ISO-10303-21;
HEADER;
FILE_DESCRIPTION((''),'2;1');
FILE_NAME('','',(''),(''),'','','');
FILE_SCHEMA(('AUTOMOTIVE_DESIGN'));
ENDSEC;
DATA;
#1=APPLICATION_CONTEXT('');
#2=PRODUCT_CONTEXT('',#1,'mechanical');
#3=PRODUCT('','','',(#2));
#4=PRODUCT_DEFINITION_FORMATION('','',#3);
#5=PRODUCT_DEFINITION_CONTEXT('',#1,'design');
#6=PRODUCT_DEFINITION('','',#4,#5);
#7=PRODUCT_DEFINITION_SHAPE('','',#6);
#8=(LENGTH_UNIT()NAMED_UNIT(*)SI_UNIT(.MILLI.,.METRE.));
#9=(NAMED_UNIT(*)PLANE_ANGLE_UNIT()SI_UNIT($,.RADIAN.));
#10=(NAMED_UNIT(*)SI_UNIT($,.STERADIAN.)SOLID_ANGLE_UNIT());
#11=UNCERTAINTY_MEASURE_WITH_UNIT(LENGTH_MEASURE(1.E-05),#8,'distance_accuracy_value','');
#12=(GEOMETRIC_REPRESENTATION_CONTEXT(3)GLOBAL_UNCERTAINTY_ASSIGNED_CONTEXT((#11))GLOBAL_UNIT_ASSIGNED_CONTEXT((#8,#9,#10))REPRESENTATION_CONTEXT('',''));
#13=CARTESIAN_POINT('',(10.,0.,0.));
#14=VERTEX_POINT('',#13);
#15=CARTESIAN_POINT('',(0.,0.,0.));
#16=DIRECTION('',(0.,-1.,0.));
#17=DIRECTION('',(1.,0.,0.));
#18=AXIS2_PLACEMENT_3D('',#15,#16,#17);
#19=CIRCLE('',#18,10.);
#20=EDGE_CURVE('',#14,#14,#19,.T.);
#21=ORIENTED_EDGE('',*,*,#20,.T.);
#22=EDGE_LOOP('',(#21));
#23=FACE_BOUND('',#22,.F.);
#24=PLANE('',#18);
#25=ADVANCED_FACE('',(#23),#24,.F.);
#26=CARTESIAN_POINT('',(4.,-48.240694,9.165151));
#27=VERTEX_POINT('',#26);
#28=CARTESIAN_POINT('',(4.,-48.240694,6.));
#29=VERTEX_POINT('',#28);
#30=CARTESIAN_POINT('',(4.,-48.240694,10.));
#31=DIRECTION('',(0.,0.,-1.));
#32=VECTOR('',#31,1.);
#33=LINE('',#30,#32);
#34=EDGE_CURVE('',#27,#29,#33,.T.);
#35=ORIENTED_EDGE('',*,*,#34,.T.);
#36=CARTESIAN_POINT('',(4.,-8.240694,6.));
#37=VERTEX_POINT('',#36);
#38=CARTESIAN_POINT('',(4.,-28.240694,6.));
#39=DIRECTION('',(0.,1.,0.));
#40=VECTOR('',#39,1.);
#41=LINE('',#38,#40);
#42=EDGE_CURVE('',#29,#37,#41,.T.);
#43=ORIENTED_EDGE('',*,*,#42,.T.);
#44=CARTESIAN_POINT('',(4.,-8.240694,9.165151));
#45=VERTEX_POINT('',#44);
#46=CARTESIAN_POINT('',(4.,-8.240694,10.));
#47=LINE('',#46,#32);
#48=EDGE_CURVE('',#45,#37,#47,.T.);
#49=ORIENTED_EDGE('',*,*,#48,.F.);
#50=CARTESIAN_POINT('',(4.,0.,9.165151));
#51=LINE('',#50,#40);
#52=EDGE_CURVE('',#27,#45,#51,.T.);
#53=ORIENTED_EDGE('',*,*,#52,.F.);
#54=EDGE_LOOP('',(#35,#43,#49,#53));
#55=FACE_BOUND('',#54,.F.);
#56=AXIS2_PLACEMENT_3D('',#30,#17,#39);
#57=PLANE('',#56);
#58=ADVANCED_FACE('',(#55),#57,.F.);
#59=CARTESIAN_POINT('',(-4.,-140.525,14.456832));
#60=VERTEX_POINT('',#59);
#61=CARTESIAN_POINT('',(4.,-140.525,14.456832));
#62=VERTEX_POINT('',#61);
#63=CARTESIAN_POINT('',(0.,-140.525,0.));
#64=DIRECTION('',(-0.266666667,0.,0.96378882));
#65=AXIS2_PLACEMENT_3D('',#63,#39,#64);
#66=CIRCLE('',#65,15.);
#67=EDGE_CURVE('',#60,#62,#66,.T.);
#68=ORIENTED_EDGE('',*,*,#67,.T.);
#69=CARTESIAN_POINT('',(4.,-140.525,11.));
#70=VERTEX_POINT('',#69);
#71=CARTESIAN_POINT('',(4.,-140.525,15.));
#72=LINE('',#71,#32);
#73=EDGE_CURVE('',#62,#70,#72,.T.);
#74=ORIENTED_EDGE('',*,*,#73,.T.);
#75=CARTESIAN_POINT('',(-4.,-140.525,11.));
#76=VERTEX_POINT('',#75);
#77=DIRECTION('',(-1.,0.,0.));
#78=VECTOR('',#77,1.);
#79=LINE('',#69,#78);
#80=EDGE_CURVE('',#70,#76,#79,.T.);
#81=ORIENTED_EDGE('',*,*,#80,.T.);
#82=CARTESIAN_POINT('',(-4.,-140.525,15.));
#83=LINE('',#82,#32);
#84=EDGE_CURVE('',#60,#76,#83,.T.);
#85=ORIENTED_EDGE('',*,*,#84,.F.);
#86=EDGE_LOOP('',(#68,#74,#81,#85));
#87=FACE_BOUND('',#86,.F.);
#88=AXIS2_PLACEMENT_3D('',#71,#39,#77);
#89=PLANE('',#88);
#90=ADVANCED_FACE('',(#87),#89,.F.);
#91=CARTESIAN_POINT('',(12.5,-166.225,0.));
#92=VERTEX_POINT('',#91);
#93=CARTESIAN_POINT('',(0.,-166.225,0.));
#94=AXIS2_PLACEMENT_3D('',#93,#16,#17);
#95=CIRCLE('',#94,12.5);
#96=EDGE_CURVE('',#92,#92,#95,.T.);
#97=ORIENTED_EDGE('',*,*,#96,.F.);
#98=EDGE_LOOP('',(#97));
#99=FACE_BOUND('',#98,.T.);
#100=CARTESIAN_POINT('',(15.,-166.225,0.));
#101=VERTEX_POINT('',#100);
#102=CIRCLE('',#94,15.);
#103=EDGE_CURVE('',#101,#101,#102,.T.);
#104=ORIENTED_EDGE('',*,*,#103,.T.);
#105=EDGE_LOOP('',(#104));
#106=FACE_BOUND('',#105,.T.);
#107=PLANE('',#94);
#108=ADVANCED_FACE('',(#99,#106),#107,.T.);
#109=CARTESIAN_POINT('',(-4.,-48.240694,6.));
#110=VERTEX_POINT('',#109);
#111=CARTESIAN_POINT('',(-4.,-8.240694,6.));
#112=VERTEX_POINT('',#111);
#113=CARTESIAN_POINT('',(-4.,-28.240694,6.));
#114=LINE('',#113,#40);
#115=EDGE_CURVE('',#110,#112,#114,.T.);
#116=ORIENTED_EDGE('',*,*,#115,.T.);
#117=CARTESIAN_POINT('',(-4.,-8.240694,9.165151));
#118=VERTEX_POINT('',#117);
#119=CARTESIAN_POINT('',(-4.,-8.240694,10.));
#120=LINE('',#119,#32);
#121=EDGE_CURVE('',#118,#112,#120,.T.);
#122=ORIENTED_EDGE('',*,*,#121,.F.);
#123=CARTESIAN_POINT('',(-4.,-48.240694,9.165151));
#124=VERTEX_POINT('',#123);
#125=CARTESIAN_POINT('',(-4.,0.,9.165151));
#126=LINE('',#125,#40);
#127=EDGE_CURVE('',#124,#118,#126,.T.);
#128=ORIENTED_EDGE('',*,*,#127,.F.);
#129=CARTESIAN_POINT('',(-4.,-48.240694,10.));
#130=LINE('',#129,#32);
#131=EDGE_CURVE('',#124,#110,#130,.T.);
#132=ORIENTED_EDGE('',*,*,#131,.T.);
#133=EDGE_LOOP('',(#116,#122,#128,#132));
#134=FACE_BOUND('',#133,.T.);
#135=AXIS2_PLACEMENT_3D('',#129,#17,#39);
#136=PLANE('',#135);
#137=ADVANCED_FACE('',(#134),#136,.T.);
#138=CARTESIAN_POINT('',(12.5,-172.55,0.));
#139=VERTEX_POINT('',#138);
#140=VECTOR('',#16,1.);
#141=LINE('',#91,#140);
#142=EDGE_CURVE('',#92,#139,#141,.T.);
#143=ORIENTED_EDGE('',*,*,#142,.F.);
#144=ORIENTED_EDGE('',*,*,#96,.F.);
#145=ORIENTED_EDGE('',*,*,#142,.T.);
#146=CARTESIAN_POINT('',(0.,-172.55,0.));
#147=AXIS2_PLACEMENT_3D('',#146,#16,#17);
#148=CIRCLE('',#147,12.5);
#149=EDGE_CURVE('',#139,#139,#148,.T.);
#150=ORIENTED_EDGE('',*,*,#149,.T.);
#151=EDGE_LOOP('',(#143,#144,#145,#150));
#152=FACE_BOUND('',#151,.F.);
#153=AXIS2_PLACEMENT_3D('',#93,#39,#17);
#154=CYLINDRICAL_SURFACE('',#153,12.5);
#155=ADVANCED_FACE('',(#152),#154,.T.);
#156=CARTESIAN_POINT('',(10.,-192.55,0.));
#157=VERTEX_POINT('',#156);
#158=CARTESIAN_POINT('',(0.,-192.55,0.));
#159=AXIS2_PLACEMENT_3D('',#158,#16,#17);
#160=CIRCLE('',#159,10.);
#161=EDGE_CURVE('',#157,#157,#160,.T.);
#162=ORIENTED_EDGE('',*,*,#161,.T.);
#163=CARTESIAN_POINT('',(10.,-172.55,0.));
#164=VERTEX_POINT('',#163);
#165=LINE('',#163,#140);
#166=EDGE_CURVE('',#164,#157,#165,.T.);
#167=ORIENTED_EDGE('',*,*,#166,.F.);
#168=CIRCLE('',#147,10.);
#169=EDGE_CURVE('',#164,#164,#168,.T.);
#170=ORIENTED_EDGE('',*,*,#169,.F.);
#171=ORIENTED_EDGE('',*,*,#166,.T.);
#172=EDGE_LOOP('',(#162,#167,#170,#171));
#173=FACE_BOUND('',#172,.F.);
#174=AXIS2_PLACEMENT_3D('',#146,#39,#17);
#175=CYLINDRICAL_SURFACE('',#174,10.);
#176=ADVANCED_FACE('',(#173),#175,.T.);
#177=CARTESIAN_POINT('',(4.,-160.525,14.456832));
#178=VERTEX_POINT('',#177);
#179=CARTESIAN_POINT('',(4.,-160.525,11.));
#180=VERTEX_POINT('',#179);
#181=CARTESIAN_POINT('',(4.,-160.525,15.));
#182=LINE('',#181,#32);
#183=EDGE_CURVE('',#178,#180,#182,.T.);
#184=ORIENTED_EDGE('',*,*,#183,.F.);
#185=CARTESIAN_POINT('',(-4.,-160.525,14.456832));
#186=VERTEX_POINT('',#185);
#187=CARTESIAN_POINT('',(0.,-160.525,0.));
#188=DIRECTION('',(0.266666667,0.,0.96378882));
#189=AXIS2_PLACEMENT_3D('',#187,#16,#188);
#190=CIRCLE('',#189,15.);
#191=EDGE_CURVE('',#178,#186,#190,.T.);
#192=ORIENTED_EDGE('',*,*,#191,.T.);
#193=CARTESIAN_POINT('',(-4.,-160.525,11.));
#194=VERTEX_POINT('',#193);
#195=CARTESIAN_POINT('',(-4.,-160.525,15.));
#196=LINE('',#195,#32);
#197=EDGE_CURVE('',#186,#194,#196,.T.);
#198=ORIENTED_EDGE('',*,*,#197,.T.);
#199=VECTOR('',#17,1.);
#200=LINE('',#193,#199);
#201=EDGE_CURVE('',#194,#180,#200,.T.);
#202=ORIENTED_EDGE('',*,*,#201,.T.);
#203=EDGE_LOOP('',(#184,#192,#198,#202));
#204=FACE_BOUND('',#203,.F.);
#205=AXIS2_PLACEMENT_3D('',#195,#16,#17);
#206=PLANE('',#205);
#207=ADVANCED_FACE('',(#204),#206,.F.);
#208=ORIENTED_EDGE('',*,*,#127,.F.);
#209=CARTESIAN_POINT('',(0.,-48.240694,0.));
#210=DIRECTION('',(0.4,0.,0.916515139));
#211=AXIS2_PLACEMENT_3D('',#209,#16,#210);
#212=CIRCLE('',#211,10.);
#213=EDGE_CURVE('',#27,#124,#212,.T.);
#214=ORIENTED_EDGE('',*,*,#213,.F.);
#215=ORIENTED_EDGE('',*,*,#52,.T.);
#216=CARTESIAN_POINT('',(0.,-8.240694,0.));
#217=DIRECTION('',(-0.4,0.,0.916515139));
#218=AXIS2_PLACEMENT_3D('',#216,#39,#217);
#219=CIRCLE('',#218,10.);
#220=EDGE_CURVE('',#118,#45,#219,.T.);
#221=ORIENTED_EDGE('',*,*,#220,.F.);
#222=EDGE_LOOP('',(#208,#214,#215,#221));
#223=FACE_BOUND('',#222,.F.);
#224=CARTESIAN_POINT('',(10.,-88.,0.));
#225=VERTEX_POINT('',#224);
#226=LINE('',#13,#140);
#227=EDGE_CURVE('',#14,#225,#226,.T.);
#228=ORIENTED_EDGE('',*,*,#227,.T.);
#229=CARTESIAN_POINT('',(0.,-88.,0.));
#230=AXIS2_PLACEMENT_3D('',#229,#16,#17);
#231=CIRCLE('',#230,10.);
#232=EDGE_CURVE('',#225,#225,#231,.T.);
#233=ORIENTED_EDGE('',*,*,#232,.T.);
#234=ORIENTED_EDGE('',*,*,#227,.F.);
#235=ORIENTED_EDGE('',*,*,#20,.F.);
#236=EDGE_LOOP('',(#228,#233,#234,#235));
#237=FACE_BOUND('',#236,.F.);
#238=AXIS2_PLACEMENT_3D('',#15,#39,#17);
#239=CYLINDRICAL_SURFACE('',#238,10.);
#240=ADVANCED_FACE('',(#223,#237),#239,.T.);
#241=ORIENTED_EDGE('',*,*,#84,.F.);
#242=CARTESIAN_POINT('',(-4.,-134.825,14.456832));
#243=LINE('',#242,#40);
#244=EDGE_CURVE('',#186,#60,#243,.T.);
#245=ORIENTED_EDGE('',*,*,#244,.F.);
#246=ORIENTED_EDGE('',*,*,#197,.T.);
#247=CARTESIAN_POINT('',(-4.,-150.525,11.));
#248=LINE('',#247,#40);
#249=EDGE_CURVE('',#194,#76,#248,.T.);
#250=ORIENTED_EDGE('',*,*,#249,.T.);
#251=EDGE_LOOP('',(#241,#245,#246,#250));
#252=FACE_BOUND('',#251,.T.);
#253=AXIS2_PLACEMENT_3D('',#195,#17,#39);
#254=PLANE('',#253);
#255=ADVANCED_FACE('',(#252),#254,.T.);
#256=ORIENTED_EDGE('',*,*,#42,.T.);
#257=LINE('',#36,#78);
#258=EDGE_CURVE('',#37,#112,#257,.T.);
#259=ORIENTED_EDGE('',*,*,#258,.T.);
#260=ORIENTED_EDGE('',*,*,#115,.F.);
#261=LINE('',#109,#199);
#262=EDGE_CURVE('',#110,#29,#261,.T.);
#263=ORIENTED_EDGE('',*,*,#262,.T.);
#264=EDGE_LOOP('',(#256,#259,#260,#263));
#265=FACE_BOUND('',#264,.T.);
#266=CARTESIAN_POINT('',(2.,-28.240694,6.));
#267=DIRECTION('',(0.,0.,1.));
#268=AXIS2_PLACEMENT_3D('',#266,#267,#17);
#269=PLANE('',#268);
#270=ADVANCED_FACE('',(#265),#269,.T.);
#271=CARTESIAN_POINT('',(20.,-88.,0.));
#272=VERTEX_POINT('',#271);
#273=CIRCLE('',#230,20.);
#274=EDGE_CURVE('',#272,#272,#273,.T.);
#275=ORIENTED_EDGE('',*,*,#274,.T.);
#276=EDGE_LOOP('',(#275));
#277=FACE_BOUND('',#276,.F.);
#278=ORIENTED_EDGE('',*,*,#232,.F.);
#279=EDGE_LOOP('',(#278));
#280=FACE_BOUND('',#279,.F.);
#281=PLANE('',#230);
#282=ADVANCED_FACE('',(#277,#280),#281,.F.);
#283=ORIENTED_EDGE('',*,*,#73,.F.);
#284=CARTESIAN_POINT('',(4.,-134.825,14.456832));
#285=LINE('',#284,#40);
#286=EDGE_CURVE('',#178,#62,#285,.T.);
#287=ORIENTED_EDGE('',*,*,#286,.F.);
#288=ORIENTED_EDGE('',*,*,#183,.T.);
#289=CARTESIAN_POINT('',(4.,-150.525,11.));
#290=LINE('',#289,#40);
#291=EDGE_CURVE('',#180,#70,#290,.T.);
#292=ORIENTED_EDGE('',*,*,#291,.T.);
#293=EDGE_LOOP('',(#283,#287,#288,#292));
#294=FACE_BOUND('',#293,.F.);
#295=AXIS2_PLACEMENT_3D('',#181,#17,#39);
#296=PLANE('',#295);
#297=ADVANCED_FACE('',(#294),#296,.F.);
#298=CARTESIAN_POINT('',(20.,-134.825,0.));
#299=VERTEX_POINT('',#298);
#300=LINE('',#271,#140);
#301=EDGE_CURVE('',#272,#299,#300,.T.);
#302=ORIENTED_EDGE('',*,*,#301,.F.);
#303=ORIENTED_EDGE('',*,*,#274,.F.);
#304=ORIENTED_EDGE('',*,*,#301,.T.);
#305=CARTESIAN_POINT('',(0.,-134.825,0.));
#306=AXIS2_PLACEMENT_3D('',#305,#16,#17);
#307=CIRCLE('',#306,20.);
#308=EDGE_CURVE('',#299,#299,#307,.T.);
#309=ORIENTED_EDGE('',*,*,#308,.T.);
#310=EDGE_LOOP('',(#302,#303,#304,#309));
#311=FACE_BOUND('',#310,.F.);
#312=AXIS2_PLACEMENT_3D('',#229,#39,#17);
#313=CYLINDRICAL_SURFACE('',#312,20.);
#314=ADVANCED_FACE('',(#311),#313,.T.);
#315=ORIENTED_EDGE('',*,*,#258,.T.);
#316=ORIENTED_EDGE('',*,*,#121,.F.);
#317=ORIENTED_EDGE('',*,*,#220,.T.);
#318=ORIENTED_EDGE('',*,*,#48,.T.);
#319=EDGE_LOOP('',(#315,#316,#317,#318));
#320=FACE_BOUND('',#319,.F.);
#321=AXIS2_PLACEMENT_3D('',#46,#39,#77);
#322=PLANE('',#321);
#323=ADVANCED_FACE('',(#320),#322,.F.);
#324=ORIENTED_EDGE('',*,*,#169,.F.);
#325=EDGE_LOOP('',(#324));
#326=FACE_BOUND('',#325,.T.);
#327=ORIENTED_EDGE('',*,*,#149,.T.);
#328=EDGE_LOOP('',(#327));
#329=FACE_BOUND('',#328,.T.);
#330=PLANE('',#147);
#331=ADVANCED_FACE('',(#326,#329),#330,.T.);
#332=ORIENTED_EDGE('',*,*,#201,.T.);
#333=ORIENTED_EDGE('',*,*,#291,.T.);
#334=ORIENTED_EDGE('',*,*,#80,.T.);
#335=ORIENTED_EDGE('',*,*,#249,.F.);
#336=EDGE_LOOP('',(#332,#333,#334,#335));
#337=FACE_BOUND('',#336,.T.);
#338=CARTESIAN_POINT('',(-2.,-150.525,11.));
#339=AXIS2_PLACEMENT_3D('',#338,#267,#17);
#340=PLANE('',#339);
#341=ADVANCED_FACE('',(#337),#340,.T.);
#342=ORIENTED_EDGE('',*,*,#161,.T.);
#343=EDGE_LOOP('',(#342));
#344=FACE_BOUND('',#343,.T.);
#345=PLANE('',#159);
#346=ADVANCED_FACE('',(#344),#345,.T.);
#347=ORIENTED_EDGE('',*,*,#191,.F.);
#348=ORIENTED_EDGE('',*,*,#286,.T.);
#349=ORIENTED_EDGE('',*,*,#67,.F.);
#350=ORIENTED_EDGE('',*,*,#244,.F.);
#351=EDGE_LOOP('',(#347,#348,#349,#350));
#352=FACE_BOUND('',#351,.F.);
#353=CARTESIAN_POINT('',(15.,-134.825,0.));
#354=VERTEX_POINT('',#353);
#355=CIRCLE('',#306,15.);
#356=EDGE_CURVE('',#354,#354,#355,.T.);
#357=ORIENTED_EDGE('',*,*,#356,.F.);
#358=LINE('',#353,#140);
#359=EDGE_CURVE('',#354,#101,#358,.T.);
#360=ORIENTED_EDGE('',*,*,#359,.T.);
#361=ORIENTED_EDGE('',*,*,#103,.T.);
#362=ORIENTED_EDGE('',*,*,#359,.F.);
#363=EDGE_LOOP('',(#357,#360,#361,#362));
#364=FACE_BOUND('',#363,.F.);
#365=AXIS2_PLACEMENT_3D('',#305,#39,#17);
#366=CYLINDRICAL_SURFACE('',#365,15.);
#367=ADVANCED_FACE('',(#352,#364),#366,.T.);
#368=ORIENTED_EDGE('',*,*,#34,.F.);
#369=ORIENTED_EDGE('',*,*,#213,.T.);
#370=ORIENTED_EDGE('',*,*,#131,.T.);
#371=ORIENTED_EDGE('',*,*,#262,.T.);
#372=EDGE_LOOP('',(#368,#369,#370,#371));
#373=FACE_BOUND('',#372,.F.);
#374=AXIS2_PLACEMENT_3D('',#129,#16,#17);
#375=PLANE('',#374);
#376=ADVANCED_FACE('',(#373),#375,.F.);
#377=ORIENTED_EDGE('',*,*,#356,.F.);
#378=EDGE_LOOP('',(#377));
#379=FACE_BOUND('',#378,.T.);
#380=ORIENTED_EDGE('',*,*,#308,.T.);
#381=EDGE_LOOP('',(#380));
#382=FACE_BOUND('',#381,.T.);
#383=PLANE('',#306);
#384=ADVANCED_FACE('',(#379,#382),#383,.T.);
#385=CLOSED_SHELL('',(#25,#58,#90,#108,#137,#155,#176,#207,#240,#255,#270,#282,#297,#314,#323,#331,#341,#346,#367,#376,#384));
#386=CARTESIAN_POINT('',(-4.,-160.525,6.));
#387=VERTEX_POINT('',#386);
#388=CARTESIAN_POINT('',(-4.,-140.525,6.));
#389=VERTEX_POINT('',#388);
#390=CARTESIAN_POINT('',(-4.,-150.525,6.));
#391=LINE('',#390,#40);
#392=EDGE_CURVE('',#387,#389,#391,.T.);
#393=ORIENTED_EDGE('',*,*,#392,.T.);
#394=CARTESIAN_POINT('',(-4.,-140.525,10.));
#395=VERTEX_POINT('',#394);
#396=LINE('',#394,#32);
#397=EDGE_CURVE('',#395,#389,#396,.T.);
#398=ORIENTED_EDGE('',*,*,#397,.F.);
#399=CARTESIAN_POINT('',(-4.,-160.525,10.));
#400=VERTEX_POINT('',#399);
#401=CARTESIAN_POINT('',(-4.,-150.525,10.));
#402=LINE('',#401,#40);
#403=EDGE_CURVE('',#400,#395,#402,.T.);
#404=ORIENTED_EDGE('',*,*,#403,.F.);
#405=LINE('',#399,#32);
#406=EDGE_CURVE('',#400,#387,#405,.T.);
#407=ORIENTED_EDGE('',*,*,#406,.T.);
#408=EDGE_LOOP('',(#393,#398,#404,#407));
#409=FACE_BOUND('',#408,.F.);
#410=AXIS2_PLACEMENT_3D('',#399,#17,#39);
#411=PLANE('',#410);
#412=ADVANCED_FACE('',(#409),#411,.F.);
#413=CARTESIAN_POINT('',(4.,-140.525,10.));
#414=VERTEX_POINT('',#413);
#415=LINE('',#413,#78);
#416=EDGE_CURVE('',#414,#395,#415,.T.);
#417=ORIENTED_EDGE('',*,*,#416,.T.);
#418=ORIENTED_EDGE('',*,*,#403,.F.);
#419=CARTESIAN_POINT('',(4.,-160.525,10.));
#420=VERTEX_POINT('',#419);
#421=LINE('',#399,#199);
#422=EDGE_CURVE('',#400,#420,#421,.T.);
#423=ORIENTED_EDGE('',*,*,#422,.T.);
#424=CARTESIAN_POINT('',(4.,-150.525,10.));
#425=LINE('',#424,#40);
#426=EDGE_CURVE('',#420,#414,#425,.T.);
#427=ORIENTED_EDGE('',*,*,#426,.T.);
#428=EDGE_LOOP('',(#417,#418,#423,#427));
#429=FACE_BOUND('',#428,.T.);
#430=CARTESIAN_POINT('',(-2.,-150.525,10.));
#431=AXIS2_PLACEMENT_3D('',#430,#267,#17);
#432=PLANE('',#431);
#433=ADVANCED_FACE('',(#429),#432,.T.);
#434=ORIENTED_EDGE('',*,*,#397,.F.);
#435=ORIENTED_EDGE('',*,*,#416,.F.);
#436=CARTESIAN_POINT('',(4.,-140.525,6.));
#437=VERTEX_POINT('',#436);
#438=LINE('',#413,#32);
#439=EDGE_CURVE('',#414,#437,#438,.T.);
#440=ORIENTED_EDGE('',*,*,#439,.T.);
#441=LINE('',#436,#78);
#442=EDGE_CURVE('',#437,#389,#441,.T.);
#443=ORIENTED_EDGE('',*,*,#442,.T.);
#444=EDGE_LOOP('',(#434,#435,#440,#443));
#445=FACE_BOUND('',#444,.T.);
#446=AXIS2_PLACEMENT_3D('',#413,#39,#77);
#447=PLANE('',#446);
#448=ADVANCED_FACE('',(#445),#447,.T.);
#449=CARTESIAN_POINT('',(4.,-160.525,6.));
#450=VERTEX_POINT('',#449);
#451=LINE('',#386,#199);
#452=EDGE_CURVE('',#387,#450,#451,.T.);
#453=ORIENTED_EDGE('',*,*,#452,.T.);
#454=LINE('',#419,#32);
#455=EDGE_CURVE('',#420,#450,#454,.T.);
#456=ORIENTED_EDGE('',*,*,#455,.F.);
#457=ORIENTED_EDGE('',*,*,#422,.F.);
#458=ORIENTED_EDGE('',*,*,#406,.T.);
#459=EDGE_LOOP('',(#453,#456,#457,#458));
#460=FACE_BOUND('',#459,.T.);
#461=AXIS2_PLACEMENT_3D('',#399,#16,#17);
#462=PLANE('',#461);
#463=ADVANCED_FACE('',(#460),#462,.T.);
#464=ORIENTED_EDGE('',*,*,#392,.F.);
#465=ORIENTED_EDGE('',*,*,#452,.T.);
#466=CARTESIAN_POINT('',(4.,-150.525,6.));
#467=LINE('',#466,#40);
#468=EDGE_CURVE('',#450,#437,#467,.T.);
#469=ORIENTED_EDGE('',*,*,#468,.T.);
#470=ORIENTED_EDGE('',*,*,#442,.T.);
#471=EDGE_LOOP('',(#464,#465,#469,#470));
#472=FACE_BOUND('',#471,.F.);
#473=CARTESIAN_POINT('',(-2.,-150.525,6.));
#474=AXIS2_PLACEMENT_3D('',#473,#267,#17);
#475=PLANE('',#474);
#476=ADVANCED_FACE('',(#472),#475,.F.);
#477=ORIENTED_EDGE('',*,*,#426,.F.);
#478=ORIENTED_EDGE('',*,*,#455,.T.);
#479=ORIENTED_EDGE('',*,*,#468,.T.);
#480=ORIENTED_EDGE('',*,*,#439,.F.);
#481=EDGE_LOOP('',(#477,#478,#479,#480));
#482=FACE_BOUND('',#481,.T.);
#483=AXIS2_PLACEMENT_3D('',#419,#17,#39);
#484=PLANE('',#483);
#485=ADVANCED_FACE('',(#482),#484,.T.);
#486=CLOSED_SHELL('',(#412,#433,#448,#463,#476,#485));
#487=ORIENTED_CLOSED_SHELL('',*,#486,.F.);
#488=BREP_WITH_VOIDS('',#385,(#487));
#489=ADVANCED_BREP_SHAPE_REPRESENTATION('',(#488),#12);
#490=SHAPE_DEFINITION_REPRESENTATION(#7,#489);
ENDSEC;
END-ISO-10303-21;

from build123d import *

# Parameters (mm, degrees)
F0_R      = 10
F1_DEPTH  = 88
F2_R      = 20
F3_DEPTH  = 46.825
F4_R      = 15
F5_DEPTH  = 31.4
F6_R      = 12.5
F7_DEPTH  = 6.325
F8_R      = 10
F9_DEPTH  = 20
F11_W     = 4
F11_H     = 40
F11_H_2   = 20
F12_DEPTH = 4
F14_W     = 4
F14_H     = 20
F15_DEPTH = 4


with BuildPart() as f1:
    # F0 (on Front) → F1 (new body)
    with BuildSketch(Plane.XZ):
        Circle(F0_R)
    extrude(amount=F1_DEPTH)

    # F2 (on face) → F3 (join)
    with BuildSketch(Plane.XZ.offset(88)):
        Circle(F2_R)
    extrude(amount=F3_DEPTH)

    # F4 (on face) → F5 (join)
    with BuildSketch(Plane.XZ.offset(134.825)):
        Circle(F4_R)
    extrude(amount=F5_DEPTH)

    # F6 (on face) → F7 (join)
    with BuildSketch(Plane.XZ.offset(166.225)):
        Circle(F6_R)
    extrude(amount=F7_DEPTH)

    # F8 (on face) → F9 (join)
    with BuildSketch(Plane.XZ.offset(172.55)):
        Circle(F8_R)
    extrude(amount=F9_DEPTH)

    # F11 (on offset) → F12 (cut)
    with BuildSketch(Plane.XY.offset(10)):
        with Locations((2, -28.240694)):
            Rectangle(F11_W, F11_H)
        with Locations((-2, -28.240694)):
            Rectangle(F11_W, F11_H)
        with Locations((-2, -150.525)):
            Rectangle(F11_W, F11_H_2)
        with Locations((2, -150.525)):
            Rectangle(F11_W, F11_H_2)
    extrude(amount=-F12_DEPTH, mode=Mode.SUBTRACT)

    # F14 (on offset) → F15 (cut)
    with BuildSketch(Plane.XY.offset(15)):
        with Locations((-2, -150.525)):
            Rectangle(F14_W, F14_H)
        with Locations((2, -150.525)):
            Rectangle(F14_W, F14_H)
    extrude(amount=-F15_DEPTH, mode=Mode.SUBTRACT)


solid = f1.part
